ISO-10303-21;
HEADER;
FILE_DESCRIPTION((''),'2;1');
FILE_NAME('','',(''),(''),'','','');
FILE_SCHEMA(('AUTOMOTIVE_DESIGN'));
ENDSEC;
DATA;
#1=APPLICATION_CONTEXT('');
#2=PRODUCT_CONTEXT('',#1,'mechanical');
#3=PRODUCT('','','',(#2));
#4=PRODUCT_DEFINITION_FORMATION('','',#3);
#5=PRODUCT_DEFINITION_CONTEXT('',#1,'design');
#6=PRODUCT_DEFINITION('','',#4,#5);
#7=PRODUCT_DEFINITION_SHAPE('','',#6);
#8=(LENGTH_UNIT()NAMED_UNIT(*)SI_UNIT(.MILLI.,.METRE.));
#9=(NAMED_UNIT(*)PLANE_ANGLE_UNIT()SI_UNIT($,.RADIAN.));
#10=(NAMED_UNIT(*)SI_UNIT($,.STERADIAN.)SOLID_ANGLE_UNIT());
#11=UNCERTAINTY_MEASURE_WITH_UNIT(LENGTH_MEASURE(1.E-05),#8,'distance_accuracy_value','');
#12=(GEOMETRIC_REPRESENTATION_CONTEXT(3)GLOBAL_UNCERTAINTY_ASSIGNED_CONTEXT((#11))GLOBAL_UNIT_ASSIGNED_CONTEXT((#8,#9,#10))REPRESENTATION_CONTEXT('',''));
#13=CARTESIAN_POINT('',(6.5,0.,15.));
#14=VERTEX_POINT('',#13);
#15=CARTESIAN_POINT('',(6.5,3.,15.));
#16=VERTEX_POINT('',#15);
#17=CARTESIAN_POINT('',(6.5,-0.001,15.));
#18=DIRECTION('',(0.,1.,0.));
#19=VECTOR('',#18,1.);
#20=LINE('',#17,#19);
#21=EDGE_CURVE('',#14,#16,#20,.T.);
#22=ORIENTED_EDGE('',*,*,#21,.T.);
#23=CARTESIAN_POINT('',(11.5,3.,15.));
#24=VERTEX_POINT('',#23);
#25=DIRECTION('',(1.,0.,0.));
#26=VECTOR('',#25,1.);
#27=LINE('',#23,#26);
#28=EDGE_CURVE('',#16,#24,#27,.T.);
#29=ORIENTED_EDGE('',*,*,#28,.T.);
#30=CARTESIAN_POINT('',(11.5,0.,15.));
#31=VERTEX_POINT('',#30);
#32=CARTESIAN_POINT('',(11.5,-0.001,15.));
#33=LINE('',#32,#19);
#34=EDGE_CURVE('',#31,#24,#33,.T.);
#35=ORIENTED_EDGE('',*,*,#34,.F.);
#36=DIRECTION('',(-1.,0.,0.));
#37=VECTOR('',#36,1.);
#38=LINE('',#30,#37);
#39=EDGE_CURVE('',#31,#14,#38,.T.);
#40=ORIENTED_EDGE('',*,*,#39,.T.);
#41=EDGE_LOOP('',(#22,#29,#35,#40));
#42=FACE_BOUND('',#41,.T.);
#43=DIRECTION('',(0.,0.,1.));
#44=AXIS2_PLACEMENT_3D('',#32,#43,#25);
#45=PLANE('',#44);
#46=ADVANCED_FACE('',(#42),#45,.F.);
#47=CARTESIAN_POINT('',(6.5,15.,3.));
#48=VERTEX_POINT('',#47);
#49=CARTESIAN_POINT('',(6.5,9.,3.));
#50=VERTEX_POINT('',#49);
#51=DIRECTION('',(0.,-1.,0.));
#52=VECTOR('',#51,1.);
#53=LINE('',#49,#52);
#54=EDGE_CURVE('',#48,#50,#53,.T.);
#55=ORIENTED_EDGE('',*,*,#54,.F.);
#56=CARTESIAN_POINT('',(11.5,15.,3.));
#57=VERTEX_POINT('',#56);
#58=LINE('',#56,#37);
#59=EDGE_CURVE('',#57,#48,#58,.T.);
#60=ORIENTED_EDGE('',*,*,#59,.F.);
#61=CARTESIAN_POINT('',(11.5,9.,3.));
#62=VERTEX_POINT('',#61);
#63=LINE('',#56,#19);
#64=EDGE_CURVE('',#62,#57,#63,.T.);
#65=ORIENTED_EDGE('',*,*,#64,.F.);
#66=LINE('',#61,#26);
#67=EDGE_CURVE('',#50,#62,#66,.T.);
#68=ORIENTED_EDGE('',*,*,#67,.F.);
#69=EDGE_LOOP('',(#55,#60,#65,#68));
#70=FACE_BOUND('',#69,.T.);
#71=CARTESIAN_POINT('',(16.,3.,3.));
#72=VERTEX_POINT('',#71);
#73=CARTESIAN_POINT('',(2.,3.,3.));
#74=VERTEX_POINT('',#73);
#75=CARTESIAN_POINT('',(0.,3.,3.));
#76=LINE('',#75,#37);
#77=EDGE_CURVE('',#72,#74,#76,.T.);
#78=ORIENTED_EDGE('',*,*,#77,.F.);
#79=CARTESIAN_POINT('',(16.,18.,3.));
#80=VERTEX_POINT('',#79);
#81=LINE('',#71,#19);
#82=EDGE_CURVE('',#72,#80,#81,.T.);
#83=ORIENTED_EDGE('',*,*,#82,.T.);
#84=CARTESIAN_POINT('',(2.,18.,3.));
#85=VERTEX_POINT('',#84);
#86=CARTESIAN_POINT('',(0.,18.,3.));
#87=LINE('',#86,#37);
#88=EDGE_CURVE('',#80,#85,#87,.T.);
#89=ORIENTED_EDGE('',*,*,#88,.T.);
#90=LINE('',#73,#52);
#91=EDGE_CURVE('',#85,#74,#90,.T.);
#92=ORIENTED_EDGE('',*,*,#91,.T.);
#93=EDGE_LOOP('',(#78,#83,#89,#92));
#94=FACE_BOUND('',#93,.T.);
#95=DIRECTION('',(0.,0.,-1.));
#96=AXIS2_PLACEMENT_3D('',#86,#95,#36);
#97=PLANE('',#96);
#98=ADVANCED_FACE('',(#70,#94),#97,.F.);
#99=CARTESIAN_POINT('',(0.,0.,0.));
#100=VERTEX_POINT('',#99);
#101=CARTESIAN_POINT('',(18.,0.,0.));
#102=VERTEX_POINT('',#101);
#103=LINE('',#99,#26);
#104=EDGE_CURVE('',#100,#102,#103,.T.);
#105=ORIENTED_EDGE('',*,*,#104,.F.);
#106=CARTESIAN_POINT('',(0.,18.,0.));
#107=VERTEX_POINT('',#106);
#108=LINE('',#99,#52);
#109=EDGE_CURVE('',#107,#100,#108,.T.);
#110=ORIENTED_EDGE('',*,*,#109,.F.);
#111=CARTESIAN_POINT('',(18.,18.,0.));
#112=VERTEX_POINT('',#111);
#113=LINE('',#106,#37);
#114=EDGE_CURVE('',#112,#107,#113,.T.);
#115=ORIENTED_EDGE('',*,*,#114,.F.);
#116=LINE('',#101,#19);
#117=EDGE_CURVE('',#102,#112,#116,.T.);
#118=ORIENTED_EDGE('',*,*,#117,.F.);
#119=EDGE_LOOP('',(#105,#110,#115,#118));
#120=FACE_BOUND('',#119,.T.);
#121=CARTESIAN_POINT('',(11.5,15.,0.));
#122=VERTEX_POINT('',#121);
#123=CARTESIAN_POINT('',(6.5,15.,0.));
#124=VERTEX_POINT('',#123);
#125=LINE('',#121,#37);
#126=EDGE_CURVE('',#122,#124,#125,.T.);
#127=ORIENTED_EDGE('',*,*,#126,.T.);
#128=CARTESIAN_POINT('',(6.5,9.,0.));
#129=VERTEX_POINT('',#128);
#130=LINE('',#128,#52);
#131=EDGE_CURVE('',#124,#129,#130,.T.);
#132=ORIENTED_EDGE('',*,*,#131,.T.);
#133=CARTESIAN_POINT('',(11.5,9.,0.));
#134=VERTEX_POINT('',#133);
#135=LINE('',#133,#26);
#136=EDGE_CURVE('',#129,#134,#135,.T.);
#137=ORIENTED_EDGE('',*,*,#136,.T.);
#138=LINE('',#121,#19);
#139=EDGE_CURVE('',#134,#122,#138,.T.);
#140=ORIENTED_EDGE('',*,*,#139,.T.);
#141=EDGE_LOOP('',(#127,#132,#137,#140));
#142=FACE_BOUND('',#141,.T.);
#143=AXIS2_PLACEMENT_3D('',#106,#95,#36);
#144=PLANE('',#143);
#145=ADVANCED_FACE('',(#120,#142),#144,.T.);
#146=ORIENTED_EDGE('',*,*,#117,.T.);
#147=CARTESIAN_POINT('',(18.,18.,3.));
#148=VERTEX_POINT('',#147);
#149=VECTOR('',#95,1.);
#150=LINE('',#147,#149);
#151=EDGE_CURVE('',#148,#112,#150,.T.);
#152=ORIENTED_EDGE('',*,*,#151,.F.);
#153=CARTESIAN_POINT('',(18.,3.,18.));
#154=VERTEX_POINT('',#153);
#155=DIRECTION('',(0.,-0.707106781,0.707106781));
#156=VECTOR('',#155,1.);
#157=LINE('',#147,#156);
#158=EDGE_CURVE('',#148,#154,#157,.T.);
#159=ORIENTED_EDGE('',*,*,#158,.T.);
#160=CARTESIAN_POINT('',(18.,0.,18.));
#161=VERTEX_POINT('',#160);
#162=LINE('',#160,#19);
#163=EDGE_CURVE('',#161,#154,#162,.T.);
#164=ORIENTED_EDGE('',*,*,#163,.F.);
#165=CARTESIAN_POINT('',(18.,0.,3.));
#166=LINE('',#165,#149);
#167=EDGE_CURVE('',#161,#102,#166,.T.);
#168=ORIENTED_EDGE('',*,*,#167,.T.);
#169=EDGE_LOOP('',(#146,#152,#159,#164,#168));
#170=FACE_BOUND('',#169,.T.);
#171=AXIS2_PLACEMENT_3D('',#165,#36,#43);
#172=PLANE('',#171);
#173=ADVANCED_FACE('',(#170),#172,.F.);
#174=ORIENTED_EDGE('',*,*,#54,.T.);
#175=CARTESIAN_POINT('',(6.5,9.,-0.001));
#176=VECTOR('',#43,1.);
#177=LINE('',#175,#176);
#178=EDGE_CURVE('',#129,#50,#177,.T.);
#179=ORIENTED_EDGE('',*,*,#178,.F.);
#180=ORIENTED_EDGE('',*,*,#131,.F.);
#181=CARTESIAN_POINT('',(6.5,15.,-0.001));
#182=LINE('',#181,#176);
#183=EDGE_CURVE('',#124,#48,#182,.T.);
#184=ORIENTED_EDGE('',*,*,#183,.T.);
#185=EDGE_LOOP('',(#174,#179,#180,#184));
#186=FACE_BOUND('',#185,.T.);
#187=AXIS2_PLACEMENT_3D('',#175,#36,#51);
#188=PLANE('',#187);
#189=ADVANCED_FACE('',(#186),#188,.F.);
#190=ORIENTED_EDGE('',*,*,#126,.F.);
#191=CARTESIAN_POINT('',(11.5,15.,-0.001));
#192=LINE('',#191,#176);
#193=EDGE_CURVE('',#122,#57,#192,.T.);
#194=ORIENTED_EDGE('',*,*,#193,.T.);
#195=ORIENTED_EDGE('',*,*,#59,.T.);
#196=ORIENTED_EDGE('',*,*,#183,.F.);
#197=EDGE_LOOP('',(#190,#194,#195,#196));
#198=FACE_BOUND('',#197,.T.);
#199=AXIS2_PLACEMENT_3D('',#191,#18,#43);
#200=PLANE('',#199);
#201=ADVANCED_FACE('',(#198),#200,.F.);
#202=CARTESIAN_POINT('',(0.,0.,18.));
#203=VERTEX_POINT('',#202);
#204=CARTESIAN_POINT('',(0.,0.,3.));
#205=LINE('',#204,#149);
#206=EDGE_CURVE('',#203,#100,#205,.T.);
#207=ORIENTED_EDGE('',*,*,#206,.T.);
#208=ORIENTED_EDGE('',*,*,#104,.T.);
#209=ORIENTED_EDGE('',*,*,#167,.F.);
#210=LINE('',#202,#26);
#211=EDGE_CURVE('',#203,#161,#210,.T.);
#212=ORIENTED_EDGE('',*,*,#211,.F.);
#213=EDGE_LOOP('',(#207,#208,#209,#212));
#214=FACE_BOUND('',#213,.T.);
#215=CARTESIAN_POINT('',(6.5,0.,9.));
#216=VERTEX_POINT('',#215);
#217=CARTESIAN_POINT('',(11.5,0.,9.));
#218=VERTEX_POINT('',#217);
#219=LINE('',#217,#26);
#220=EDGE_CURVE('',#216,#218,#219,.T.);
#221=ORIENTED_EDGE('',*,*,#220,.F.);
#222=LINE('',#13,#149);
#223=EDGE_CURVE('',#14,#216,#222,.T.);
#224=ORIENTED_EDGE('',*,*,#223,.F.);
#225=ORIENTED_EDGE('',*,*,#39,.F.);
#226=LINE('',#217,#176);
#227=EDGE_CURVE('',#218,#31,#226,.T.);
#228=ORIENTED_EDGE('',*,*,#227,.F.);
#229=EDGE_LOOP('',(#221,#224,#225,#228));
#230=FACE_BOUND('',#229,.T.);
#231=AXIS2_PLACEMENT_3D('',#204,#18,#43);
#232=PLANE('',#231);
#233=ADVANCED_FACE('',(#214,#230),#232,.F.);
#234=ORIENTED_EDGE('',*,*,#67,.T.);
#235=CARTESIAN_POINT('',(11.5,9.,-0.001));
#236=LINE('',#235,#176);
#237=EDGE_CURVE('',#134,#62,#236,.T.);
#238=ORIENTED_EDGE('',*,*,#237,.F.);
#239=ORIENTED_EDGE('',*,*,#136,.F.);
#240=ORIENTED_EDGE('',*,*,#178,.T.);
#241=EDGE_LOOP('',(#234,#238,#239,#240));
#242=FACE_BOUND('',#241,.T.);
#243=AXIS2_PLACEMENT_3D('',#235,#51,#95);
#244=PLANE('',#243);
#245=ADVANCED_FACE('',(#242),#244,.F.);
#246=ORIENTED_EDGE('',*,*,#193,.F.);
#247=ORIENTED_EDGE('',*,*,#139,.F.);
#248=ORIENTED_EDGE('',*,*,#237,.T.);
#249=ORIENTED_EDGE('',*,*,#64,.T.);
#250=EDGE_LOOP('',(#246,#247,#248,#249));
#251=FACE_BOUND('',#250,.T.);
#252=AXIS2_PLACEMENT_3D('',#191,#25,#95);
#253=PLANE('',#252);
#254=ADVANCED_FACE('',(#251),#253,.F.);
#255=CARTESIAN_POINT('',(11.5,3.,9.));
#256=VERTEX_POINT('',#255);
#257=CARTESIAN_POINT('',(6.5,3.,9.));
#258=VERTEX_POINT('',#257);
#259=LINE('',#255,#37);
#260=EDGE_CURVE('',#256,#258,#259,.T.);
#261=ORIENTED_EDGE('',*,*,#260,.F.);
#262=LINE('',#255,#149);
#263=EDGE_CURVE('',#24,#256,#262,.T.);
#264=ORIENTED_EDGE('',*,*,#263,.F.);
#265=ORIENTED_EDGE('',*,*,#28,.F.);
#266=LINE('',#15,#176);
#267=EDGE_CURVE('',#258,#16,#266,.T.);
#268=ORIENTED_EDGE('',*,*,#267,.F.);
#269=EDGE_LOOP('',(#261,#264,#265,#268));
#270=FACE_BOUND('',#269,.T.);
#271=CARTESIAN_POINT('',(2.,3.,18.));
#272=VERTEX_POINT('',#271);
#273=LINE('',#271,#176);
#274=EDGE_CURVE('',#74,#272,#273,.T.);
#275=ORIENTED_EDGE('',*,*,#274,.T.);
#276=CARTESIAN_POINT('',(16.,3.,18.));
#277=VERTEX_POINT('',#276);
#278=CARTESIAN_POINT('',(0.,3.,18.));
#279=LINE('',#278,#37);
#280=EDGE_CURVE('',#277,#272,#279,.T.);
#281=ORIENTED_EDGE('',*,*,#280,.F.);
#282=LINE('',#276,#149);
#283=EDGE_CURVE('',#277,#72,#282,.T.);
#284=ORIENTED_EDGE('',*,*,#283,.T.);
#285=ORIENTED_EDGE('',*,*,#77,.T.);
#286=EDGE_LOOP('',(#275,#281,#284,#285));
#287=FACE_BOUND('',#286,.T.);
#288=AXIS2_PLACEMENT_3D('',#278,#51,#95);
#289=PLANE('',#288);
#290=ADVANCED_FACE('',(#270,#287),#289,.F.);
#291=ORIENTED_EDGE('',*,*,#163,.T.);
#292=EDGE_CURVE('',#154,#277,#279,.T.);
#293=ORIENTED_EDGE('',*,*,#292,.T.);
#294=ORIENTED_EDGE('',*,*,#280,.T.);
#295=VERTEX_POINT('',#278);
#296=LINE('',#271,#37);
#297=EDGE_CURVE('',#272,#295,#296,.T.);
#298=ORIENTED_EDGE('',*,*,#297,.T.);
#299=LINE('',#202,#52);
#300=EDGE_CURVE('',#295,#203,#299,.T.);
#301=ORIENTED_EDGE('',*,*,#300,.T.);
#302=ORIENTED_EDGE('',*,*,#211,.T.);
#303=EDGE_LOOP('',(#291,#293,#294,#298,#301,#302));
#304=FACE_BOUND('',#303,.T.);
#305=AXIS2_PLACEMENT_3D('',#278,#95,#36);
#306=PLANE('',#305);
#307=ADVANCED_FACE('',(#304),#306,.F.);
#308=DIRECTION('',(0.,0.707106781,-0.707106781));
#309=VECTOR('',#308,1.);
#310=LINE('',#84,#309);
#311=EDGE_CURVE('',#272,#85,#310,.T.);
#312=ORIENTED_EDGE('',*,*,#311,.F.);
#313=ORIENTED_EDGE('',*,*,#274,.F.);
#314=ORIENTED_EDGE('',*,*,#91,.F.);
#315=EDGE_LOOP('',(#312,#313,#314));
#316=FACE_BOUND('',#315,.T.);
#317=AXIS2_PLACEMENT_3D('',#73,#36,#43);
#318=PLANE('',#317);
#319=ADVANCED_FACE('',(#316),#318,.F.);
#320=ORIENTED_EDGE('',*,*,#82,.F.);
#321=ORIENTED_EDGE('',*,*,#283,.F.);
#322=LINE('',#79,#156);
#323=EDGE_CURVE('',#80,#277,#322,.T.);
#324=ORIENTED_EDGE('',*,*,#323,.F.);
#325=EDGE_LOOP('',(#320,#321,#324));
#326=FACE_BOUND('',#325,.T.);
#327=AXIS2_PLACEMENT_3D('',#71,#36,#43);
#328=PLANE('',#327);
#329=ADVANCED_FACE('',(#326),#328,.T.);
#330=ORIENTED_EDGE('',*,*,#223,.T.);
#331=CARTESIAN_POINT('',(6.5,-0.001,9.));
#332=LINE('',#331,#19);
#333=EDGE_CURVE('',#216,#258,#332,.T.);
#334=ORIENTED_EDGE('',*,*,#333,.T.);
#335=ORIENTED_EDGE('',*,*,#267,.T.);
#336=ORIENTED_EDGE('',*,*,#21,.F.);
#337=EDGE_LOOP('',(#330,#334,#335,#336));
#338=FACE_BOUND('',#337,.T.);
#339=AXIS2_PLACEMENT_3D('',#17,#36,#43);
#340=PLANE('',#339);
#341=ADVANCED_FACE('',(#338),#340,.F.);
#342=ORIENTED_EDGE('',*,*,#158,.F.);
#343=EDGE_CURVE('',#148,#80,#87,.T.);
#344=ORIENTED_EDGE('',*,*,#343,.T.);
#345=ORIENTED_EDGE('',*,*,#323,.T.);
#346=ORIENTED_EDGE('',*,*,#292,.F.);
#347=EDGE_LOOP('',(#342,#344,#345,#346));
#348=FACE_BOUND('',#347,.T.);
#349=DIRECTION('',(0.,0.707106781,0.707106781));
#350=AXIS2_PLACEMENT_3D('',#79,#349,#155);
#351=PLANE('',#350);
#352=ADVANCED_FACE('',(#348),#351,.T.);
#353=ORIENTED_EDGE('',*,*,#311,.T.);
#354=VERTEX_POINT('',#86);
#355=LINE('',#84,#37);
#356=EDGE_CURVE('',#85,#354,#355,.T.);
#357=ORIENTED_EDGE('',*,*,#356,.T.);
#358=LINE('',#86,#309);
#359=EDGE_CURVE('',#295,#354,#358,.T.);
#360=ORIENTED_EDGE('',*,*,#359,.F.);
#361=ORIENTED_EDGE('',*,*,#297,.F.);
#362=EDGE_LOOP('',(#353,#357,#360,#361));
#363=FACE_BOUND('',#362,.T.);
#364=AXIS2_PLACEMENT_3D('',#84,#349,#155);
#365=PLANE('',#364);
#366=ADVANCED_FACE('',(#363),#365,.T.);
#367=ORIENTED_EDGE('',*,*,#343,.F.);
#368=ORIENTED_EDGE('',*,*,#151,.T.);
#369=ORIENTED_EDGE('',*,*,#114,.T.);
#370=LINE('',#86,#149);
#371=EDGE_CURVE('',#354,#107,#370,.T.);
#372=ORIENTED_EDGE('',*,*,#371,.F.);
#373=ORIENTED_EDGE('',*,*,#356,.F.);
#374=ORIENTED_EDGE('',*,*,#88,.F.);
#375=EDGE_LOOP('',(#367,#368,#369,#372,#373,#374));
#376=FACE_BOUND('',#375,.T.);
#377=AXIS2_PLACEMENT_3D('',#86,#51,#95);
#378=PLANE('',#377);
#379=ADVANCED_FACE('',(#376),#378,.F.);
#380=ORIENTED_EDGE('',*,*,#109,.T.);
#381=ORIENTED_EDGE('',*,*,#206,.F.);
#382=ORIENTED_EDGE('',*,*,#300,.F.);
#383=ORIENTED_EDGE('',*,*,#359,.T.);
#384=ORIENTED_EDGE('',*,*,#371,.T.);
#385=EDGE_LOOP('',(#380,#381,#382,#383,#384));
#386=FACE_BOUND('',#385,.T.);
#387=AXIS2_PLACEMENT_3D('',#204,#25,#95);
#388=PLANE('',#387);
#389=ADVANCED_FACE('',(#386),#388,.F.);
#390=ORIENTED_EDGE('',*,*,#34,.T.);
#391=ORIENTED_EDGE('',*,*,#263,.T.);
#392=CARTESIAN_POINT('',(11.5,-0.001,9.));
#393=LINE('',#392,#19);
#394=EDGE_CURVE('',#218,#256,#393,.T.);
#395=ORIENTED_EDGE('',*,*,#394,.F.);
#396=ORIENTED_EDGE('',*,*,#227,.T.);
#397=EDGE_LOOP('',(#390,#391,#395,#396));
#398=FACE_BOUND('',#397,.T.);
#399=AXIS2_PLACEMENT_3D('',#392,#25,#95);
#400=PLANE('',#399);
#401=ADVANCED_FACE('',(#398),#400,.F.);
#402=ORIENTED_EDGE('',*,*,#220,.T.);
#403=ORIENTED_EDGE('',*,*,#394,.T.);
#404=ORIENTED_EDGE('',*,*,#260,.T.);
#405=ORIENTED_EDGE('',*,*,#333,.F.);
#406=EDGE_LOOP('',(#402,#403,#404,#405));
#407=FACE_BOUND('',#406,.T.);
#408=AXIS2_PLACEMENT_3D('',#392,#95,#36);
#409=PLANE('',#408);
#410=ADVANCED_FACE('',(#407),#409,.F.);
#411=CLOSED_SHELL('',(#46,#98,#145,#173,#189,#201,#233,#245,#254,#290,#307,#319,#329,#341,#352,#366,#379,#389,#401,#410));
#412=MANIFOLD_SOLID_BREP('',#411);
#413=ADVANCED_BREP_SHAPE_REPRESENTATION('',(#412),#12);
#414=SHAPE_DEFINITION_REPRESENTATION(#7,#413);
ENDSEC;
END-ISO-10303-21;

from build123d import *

# Parameters (mm, degrees)
SKETCH1_W          = 18
SKETCH1_H          = 18
EXTRUDE1_DEPTH     = 3
SKETCH2_W          = 18
SKETCH2_H          = 3
EXTRUDE2_DEPTH     = 15
EXTRUDE3_DEPTH     = 2
EXTRUDE4_DEPTH     = 2
CUT_EXTRUDE1_REACH = 5
SKETCH7_W          = 5
SKETCH7_H          = 6
CUT_EXTRUDE2_REACH = 5
SKETCH8_W          = 5
SKETCH8_H          = 6


with BuildPart() as part:
    # Sketch1 → Extrude1 (new body)
    with BuildSketch(Plane.XY):
        with Locations((9, 9)):
            Rectangle(SKETCH1_W, SKETCH1_H)
    extrude(amount=EXTRUDE1_DEPTH)

    # Sketch2 → Extrude2 (add)
    with BuildSketch(Plane.XY.offset(3)):
        with Locations((9, 1.5)):
            Rectangle(SKETCH2_W, SKETCH2_H)
    extrude(amount=EXTRUDE2_DEPTH)

    # Sketch5 → Extrude3 (add)
    with BuildSketch(Plane(origin=(18, 0, 0), x_dir=(0, 0, -1), z_dir=(1, 0, 0))):
        Polygon((-3, 18), (-18, 3), (-3, 3), align=None)
    extrude(amount=-EXTRUDE3_DEPTH)

    # Sketch6 → Extrude4 (add)
    with BuildSketch(Plane.ZY):
        Polygon((3, 18), (18, 3), (3, 3), align=None)
    extrude(amount=-EXTRUDE4_DEPTH)

    # Sketch7 → Cut-Extrude1 (cut, up to next)
    with BuildSketch(Plane(origin=(0, 3, 0), x_dir=(1, 0, 0), z_dir=(0, 1, 0)), mode=Mode.PRIVATE) as cut_extrude1_sk1:
        with Locations((9, -12)):
            Rectangle(SKETCH7_W, SKETCH7_H)
    cut_extrude1_tool1 = extrude(cut_extrude1_sk1.sketch, amount=-CUT_EXTRUDE1_REACH, mode=Mode.PRIVATE) & part.part
    add(cut_extrude1_tool1.solids().sort_by_distance((9, 3, 12))[0], mode=Mode.SUBTRACT)

    # Sketch8 → Cut-Extrude2 (cut, up to next)
    with BuildSketch(Plane(origin=(0, 0, 3), x_dir=(-1, 0, 0), z_dir=(0, 0, 1)), mode=Mode.PRIVATE) as cut_extrude2_sk1:
        with Locations((-9, -12)):
            Rectangle(SKETCH8_W, SKETCH8_H)
    cut_extrude2_tool1 = extrude(cut_extrude2_sk1.sketch, amount=-CUT_EXTRUDE2_REACH, mode=Mode.PRIVATE) & part.part
    add(cut_extrude2_tool1.solids().sort_by_distance((9, 12, 3))[0], mode=Mode.SUBTRACT)


solid = part.part
